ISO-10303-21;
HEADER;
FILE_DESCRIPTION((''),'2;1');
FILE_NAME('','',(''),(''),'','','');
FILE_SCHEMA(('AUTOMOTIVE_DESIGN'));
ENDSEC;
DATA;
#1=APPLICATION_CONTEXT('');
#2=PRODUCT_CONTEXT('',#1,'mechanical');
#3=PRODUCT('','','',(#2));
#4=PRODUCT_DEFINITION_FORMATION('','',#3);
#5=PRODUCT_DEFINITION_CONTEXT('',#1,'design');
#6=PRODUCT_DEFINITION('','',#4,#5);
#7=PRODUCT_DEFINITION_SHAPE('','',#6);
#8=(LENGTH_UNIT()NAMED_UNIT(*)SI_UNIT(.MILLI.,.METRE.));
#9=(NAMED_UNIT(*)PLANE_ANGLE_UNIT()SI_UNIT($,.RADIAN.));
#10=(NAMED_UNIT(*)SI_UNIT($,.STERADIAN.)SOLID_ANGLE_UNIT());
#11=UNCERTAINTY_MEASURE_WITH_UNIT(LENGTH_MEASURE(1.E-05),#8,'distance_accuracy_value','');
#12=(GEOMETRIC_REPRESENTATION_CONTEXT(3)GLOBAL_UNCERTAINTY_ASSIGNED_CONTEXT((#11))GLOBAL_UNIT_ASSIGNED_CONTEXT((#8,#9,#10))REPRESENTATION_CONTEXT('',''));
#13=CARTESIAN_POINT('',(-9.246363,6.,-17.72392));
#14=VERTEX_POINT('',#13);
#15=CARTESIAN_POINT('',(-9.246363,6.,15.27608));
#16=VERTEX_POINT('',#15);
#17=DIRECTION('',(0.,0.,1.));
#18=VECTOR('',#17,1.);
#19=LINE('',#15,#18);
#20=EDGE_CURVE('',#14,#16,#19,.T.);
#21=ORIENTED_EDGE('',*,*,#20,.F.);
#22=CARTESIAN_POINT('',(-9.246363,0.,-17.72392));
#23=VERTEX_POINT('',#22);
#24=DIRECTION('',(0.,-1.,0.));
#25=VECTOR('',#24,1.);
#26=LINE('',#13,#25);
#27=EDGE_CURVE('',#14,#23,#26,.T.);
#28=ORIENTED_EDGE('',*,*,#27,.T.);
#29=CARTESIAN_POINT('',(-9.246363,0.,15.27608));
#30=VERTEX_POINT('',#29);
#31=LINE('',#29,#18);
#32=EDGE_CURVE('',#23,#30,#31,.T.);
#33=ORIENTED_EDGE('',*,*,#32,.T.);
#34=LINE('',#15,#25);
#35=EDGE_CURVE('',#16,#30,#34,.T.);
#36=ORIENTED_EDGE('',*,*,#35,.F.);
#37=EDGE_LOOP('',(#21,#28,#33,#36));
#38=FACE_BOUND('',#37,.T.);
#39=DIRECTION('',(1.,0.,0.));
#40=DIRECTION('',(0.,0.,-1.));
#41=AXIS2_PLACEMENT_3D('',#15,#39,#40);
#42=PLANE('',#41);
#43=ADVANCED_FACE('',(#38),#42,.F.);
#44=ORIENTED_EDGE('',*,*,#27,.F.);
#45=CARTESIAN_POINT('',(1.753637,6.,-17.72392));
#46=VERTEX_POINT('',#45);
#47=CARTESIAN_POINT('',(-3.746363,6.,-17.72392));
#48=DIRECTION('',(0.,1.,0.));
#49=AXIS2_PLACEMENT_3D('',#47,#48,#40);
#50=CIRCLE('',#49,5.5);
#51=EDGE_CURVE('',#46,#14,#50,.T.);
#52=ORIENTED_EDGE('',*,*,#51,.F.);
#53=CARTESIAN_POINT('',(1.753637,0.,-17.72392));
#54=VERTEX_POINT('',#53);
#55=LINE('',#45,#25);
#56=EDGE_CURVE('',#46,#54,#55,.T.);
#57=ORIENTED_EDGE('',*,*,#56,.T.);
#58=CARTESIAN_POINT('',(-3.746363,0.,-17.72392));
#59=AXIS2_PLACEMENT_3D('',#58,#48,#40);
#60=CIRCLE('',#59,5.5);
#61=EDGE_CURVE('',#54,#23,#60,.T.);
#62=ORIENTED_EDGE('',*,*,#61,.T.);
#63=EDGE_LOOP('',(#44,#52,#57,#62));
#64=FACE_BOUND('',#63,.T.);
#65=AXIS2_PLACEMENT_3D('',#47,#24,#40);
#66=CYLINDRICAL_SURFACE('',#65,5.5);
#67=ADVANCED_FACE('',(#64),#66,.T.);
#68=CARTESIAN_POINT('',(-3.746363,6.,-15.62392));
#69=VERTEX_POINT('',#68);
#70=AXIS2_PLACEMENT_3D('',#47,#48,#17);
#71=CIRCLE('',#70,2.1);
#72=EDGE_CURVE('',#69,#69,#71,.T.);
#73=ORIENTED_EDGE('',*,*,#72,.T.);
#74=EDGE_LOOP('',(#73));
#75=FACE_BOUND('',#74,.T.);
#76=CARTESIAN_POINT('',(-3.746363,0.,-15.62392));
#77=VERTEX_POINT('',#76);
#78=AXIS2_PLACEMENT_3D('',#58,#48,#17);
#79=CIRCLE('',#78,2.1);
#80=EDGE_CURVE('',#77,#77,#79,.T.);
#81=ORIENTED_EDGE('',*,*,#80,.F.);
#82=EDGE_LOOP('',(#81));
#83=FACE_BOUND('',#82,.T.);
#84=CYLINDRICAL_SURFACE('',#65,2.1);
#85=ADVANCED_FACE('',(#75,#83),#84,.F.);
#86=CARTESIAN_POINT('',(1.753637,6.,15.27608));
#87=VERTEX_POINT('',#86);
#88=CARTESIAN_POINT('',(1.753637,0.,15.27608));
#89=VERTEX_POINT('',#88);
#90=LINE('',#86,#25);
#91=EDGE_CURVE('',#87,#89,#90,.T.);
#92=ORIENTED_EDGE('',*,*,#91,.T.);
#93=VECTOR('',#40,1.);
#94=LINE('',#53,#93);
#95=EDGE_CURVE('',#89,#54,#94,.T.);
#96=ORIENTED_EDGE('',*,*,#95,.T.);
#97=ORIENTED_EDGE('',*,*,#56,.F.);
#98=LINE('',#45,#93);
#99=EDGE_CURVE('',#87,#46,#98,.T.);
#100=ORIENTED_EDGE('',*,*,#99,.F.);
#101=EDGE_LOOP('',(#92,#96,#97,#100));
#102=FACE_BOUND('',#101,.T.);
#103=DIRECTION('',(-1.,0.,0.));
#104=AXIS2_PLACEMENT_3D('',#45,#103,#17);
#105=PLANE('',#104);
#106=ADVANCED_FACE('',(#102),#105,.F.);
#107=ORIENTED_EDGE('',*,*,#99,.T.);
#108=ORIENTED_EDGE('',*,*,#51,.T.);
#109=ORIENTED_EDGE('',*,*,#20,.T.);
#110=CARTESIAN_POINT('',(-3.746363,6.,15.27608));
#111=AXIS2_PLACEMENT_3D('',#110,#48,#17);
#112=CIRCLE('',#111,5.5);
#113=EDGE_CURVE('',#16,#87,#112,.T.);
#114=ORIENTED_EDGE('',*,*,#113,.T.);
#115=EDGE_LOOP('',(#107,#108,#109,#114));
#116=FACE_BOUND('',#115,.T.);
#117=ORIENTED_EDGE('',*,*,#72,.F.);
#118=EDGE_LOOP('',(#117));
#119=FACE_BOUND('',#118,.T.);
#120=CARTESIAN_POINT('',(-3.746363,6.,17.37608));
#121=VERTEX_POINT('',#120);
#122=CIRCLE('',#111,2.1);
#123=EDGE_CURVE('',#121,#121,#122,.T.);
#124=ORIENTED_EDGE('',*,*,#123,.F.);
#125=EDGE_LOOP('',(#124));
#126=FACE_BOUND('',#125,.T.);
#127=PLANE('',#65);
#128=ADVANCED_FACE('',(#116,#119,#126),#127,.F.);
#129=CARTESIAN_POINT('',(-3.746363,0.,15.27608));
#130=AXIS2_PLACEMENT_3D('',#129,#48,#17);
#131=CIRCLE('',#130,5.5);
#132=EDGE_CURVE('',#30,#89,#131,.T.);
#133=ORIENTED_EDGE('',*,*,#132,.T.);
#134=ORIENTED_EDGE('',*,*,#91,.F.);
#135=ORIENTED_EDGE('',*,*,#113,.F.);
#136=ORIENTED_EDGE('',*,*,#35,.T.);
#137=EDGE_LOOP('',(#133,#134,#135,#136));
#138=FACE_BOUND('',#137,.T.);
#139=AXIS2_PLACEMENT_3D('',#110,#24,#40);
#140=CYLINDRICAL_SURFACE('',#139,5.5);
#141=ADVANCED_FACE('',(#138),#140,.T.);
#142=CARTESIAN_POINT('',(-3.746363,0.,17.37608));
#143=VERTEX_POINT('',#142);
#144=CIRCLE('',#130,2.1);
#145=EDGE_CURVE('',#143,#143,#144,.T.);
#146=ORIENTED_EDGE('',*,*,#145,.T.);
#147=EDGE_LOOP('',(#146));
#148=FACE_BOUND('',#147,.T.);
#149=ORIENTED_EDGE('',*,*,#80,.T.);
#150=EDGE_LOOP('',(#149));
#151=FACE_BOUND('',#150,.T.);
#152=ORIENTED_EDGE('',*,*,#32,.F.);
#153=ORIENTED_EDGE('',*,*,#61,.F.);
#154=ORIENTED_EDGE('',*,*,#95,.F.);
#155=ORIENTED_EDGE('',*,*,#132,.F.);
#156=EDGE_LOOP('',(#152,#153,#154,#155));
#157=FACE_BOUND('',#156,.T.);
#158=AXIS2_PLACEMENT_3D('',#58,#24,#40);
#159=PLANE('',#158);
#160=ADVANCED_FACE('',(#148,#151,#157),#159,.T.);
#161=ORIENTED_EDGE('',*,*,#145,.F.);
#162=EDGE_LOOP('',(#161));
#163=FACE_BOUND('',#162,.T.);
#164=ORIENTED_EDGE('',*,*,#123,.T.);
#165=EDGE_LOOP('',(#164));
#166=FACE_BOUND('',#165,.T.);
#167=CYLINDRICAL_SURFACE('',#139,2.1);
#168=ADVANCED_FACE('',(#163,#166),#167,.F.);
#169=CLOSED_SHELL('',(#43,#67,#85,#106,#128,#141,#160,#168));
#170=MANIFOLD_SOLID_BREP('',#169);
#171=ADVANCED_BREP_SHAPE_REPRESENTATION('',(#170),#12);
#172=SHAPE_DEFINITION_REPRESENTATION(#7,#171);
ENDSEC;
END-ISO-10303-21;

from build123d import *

# Parameters (mm, degrees)
SKETCH1_R           = 2.1
BOSS_EXTRUDE1_DEPTH = 6


with BuildPart() as part:
    # Sketch1 → Boss-Extrude1 (new body)
    with BuildSketch(Plane(origin=(0, 0, 0), x_dir=(1, 0, 0), z_dir=(0, 1, 0))):
        with BuildLine():
            Line((1.753637438, 17.723920197), (1.753637438, -15.276079803))
            ThreePointArc((1.753637438, -15.276079803), (-3.746362562, -20.776079803), (-9.246362562, -15.276079803))
            Line((-9.246362562, -15.276079803), (-9.246362562, 17.723920197))
            ThreePointArc((-9.246362562, 17.723920197), (-3.746362562, 23.223920197), (1.753637438, 17.723920197))
        make_face()
        with Locations((-3.746362562, -15.276079803)):
            Circle(SKETCH1_R, mode=Mode.SUBTRACT)
        with Locations((-3.746362562, 17.723920197)):
            Circle(SKETCH1_R, mode=Mode.SUBTRACT)
    extrude(amount=BOSS_EXTRUDE1_DEPTH)


solid = part.part
